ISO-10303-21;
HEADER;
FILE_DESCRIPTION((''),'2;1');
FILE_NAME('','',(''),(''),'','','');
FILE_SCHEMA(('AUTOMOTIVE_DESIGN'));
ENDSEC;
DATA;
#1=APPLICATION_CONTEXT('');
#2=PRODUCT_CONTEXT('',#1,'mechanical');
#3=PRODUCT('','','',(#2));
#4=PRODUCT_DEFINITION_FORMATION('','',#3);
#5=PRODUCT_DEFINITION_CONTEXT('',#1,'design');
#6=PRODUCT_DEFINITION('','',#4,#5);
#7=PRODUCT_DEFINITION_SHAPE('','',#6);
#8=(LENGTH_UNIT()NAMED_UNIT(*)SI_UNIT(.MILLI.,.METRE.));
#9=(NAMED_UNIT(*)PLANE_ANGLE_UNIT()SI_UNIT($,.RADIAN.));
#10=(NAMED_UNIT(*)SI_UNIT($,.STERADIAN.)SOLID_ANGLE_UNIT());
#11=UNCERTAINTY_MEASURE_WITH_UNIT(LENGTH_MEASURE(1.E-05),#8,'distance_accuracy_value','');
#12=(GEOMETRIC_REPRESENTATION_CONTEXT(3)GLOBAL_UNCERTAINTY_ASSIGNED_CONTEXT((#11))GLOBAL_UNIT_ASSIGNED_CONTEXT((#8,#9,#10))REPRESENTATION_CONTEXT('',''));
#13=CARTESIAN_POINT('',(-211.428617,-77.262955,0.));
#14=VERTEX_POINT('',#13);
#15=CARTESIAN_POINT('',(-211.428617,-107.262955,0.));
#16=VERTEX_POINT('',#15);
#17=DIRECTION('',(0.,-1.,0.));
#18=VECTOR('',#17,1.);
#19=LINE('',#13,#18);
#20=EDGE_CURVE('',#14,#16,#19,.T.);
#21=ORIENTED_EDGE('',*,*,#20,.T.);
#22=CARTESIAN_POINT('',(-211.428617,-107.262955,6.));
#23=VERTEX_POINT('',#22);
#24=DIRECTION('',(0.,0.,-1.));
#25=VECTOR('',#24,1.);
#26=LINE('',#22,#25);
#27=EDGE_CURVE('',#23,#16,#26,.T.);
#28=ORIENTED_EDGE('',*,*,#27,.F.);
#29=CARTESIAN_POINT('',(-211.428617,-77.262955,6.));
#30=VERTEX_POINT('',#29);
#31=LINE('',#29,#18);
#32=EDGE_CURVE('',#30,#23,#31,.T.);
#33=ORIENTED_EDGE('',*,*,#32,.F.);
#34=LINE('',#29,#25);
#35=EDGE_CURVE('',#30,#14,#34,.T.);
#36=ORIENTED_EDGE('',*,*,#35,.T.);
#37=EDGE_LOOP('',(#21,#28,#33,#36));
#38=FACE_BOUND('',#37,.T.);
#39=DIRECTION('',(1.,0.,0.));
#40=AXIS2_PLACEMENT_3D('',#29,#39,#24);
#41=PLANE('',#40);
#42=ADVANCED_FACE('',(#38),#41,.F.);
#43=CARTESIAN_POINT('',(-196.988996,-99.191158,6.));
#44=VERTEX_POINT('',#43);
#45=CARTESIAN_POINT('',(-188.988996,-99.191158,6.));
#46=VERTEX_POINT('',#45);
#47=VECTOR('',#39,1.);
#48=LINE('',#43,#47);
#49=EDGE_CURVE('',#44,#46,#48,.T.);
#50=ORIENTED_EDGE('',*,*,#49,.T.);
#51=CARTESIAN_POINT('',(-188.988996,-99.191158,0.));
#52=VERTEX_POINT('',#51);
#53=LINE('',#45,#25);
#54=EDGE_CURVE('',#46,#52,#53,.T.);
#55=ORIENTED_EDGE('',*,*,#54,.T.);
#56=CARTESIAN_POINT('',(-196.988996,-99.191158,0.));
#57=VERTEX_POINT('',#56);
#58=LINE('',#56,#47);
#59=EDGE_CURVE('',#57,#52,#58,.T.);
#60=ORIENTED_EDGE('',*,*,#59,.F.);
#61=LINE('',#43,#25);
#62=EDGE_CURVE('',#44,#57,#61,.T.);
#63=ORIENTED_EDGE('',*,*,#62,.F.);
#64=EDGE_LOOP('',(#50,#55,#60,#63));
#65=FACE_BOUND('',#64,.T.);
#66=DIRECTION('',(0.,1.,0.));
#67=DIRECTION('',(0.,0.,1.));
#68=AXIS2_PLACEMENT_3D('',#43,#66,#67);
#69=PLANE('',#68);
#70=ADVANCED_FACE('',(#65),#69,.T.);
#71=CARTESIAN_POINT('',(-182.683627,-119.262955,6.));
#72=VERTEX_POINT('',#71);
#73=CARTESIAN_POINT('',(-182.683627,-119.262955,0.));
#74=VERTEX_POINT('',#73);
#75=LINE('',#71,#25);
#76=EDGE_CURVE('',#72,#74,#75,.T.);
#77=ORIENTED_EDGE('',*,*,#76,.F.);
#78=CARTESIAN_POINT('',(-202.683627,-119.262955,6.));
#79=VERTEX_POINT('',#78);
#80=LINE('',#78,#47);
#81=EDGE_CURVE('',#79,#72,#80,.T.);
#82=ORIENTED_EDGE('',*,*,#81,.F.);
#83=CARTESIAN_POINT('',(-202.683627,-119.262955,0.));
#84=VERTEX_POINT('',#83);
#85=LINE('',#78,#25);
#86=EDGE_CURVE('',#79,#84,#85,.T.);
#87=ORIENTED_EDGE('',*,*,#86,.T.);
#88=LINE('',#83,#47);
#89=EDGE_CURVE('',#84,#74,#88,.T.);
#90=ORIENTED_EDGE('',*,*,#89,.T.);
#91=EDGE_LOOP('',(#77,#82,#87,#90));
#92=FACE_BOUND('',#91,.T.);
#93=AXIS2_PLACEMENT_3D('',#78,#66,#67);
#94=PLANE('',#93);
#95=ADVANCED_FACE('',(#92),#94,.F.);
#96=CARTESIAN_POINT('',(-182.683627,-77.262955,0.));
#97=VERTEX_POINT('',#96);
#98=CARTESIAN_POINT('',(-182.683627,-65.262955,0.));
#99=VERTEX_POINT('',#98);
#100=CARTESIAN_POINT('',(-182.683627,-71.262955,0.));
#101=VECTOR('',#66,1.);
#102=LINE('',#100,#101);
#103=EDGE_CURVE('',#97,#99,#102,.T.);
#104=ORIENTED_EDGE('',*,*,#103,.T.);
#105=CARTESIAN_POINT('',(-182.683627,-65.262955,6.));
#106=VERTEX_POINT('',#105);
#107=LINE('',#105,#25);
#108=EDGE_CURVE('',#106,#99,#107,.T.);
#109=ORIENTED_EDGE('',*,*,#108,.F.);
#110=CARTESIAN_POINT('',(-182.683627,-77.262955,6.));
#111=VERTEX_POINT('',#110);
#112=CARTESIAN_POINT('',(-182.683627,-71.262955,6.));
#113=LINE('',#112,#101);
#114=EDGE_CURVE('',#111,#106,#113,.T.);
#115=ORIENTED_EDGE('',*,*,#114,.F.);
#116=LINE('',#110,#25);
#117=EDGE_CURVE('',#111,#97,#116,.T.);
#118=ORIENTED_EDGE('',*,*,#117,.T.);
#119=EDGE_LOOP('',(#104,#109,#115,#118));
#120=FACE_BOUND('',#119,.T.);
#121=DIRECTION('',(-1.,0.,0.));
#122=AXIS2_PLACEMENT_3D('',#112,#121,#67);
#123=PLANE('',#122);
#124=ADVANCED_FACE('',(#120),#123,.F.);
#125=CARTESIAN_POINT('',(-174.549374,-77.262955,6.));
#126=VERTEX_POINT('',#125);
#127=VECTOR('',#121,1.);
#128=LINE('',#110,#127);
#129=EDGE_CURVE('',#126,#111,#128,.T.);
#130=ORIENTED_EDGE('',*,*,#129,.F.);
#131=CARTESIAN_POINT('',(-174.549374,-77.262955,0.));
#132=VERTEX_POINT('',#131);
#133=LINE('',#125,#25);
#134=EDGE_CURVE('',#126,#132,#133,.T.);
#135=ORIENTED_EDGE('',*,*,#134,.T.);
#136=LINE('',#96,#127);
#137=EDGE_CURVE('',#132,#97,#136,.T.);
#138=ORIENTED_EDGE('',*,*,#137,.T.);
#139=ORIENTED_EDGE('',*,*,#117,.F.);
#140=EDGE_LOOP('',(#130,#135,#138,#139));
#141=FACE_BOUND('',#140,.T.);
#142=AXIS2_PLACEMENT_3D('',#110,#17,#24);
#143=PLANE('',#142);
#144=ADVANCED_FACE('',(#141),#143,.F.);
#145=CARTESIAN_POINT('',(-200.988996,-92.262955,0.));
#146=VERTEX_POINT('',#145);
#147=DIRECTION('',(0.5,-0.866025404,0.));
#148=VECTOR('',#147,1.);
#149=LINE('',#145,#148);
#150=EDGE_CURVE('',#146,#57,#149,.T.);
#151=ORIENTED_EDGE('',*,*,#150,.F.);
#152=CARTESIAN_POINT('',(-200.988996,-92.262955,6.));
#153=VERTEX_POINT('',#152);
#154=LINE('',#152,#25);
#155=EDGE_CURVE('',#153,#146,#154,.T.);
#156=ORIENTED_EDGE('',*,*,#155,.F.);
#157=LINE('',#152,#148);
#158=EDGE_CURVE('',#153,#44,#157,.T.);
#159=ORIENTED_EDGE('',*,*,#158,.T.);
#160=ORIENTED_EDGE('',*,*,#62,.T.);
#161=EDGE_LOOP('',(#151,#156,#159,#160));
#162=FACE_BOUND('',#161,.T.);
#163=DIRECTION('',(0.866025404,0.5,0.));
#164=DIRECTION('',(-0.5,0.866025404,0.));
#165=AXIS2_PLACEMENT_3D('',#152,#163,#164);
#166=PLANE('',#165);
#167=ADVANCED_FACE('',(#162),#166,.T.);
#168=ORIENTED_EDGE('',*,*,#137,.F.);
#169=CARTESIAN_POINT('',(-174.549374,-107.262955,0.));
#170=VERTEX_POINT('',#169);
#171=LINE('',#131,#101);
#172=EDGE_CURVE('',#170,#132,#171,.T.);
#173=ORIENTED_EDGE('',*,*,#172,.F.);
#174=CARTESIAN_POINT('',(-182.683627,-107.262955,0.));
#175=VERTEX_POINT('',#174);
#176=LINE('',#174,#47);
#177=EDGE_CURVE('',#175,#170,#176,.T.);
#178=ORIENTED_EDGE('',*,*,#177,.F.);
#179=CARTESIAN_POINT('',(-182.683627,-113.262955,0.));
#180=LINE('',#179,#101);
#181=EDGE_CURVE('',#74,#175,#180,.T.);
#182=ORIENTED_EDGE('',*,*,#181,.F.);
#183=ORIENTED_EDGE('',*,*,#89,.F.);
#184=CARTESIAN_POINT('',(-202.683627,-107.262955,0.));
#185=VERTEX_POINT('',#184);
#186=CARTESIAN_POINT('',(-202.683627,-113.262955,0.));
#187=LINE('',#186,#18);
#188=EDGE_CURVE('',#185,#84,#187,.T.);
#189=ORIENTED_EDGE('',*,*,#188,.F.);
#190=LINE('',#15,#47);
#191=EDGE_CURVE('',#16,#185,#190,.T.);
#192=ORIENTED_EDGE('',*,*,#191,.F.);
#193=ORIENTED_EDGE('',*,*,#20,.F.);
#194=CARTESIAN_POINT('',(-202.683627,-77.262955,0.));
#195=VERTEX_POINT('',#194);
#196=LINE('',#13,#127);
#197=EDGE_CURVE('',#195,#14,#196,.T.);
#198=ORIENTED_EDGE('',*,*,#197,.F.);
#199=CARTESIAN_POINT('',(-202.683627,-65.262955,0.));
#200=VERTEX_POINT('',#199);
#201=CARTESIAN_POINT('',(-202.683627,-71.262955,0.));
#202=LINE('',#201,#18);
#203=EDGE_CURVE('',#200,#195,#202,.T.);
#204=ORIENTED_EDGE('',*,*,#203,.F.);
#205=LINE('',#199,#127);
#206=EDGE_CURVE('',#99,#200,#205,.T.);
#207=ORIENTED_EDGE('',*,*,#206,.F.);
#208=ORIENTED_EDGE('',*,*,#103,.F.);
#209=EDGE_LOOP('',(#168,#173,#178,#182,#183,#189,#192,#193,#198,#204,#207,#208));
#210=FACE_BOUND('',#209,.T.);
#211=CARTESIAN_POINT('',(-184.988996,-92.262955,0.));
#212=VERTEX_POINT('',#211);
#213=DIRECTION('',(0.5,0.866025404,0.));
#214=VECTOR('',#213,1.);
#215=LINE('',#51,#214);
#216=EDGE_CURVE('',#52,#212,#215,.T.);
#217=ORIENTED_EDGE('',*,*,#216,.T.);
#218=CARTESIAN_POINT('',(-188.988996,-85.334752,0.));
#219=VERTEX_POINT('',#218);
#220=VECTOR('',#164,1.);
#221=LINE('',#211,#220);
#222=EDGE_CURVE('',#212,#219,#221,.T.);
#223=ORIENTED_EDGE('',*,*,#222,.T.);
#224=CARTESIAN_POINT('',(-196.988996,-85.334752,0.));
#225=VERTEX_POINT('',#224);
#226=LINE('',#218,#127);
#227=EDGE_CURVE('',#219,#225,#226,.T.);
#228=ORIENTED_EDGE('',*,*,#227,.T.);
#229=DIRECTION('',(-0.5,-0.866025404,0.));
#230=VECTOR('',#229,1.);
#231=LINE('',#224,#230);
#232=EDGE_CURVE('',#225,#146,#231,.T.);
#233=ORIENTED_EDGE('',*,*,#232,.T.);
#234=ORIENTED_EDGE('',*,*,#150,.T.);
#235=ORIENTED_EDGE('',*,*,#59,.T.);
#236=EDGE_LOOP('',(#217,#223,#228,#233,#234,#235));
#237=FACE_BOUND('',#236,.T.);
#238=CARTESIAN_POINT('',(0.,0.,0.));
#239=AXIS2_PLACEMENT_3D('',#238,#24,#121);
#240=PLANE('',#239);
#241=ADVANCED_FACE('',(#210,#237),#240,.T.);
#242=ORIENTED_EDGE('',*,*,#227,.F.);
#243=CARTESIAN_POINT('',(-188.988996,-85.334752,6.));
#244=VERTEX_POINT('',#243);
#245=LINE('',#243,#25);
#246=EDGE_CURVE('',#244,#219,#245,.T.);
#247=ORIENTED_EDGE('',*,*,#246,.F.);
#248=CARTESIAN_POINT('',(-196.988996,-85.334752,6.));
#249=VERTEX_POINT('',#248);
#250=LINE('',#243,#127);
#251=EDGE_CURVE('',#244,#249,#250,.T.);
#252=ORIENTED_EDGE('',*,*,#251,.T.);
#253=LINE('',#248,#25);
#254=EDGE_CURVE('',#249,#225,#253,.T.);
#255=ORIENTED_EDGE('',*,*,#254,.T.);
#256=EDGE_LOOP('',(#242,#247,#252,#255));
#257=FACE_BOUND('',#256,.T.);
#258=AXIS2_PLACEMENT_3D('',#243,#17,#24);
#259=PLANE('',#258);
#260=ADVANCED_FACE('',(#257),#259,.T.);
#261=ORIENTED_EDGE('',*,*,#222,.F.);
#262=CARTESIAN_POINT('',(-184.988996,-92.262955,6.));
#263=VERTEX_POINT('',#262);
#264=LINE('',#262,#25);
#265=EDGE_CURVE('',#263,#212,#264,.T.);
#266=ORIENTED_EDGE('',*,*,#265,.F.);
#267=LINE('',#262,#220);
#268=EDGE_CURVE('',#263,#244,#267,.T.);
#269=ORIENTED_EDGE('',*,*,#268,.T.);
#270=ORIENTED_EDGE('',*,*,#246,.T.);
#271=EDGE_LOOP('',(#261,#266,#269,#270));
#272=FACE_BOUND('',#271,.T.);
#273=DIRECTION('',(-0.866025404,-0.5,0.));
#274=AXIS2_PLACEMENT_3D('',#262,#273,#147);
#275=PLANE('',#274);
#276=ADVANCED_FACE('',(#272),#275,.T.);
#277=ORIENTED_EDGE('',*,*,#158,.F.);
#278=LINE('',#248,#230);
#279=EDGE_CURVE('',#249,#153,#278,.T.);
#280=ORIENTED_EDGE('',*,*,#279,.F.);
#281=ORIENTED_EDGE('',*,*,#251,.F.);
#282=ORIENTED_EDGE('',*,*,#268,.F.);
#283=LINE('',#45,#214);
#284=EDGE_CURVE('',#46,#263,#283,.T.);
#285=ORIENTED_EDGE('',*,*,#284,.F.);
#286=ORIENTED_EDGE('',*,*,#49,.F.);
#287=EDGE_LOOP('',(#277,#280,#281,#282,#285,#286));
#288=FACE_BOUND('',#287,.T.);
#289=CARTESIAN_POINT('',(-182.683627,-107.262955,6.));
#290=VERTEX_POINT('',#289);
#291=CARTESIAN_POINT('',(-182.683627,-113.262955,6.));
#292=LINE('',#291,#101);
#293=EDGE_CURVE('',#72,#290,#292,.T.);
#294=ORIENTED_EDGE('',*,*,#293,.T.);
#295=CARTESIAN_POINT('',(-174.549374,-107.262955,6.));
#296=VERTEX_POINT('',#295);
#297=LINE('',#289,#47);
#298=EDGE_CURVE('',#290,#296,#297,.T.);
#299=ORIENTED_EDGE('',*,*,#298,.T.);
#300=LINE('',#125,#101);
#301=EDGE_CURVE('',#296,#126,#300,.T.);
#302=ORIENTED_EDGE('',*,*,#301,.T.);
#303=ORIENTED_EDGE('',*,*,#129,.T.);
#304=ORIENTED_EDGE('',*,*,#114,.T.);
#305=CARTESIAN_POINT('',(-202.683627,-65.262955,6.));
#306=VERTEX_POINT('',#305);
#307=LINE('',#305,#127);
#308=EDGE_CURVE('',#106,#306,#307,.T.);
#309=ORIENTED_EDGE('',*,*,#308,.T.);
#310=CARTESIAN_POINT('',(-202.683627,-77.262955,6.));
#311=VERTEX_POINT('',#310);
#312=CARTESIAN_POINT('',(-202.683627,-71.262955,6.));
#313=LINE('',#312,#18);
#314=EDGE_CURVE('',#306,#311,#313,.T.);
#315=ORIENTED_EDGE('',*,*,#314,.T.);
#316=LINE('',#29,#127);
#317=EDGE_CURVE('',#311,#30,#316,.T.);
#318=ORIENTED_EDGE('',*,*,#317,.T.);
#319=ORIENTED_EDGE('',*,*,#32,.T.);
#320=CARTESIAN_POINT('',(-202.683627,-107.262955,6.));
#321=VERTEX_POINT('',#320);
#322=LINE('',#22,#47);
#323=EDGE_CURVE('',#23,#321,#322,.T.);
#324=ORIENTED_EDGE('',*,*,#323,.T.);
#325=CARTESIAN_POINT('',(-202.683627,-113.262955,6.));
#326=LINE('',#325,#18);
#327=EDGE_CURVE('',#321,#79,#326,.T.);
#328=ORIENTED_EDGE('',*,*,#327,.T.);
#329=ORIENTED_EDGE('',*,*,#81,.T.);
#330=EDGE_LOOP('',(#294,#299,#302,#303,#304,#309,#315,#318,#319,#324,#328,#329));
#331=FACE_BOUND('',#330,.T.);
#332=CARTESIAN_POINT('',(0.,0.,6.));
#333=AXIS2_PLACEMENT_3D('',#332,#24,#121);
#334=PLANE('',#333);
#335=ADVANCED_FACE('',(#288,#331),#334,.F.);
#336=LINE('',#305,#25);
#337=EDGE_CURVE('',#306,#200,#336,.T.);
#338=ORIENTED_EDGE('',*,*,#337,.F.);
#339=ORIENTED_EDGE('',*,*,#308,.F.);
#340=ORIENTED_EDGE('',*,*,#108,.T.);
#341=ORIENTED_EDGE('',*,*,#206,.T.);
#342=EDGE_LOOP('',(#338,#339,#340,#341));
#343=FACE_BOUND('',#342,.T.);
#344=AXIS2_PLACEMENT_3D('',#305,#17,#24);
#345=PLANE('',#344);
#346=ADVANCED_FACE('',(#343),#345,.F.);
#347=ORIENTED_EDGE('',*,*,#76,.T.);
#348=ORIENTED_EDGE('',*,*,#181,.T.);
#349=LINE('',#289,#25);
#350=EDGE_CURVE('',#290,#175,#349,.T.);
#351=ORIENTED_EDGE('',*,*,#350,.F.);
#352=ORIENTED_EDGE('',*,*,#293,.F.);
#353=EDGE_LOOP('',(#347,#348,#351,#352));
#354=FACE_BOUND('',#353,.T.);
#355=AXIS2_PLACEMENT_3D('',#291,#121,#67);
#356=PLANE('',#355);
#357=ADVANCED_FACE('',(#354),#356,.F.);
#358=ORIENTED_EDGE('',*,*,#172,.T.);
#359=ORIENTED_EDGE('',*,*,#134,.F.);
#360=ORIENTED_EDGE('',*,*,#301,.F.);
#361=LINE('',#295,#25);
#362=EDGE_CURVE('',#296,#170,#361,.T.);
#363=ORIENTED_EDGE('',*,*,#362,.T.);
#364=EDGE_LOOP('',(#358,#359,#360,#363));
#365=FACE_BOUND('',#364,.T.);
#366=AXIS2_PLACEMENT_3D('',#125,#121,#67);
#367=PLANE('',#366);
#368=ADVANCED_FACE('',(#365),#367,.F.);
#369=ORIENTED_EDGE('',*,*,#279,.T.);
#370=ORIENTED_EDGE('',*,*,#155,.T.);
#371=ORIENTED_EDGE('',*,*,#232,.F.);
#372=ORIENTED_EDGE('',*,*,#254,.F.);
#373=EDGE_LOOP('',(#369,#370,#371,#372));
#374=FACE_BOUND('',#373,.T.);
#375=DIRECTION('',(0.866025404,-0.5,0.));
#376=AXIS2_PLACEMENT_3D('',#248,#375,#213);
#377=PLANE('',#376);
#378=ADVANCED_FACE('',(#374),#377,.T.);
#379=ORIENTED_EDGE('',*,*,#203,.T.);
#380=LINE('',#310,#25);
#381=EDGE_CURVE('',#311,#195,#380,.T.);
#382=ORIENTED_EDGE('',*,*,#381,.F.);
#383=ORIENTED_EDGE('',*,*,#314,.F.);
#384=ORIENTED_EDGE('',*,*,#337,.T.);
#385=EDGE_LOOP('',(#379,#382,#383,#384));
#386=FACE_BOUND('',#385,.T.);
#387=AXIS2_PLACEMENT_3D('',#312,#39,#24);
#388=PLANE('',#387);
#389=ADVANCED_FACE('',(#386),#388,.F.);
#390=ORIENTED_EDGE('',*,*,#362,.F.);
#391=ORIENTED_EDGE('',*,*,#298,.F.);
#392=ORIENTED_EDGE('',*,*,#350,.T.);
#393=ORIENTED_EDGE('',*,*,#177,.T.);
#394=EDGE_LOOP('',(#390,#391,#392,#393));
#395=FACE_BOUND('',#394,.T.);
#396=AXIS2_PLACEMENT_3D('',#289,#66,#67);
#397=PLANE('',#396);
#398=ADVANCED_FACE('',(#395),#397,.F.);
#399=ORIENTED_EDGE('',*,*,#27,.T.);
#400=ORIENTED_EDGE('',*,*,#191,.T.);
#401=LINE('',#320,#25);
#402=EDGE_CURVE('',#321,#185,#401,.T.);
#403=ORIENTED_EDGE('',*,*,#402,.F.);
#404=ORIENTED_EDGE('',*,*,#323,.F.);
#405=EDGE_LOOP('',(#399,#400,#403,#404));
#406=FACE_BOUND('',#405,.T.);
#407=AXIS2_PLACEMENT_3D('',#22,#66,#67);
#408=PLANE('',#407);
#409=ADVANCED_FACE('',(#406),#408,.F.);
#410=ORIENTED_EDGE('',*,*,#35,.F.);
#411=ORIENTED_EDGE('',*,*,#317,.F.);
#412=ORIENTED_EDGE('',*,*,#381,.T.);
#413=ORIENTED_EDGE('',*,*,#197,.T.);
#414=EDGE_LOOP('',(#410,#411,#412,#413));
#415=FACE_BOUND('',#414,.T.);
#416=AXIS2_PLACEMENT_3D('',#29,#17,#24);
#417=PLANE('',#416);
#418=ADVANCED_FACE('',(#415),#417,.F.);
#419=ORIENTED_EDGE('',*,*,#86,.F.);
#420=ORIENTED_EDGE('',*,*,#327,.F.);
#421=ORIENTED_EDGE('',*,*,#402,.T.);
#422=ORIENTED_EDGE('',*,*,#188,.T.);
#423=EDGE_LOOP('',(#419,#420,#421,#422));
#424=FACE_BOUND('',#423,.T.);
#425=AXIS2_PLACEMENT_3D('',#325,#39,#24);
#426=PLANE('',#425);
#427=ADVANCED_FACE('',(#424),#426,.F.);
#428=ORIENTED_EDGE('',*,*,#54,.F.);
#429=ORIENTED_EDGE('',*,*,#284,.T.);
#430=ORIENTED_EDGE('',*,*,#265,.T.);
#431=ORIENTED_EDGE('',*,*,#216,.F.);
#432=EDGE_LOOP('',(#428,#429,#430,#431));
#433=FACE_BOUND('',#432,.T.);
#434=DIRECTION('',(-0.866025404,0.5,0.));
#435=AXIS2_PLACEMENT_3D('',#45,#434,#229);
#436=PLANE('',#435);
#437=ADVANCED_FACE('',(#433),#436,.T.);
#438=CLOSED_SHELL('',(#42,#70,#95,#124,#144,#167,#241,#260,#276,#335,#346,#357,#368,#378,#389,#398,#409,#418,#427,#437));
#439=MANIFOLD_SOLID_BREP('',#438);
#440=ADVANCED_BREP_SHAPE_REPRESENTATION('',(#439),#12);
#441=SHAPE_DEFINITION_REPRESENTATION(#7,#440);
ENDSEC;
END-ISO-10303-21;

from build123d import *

# Parameters (mm, degrees)
BOSS_EXTRUDE1_DEPTH = 6


with BuildPart() as part:
    # Sketch1 → Boss-Extrude1 (new body)
    with BuildSketch(Plane.XY):
        Polygon((-211.428617248, -77.262954902), (-211.428617248, -107.262954902), (-202.683627049, -107.262954902), (-202.683627049, -113.262954902), (-202.683627049, -119.262954902), (-182.683627049, -119.262954902), (-182.683627049, -113.262954902), (-182.683627049, -107.262954902), (-174.549373808, -107.262954902), (-174.549373808, -77.262954902), (-182.683627049, -77.262954902), (-182.683627049, -71.262954902), (-182.683627049, -65.262954902), (-202.683627049, -65.262954902), (-202.683627049, -71.262954902), (-202.683627049, -77.262954902), align=None)
        Polygon((-184.988995528, -92.262954902), (-188.988995528, -85.334751672), (-196.988995528, -85.334751672), (-200.988995528, -92.262954902), (-196.988995528, -99.191158133), (-188.988995528, -99.191158133), align=None, mode=Mode.SUBTRACT)
    extrude(amount=BOSS_EXTRUDE1_DEPTH)


solid = part.part
